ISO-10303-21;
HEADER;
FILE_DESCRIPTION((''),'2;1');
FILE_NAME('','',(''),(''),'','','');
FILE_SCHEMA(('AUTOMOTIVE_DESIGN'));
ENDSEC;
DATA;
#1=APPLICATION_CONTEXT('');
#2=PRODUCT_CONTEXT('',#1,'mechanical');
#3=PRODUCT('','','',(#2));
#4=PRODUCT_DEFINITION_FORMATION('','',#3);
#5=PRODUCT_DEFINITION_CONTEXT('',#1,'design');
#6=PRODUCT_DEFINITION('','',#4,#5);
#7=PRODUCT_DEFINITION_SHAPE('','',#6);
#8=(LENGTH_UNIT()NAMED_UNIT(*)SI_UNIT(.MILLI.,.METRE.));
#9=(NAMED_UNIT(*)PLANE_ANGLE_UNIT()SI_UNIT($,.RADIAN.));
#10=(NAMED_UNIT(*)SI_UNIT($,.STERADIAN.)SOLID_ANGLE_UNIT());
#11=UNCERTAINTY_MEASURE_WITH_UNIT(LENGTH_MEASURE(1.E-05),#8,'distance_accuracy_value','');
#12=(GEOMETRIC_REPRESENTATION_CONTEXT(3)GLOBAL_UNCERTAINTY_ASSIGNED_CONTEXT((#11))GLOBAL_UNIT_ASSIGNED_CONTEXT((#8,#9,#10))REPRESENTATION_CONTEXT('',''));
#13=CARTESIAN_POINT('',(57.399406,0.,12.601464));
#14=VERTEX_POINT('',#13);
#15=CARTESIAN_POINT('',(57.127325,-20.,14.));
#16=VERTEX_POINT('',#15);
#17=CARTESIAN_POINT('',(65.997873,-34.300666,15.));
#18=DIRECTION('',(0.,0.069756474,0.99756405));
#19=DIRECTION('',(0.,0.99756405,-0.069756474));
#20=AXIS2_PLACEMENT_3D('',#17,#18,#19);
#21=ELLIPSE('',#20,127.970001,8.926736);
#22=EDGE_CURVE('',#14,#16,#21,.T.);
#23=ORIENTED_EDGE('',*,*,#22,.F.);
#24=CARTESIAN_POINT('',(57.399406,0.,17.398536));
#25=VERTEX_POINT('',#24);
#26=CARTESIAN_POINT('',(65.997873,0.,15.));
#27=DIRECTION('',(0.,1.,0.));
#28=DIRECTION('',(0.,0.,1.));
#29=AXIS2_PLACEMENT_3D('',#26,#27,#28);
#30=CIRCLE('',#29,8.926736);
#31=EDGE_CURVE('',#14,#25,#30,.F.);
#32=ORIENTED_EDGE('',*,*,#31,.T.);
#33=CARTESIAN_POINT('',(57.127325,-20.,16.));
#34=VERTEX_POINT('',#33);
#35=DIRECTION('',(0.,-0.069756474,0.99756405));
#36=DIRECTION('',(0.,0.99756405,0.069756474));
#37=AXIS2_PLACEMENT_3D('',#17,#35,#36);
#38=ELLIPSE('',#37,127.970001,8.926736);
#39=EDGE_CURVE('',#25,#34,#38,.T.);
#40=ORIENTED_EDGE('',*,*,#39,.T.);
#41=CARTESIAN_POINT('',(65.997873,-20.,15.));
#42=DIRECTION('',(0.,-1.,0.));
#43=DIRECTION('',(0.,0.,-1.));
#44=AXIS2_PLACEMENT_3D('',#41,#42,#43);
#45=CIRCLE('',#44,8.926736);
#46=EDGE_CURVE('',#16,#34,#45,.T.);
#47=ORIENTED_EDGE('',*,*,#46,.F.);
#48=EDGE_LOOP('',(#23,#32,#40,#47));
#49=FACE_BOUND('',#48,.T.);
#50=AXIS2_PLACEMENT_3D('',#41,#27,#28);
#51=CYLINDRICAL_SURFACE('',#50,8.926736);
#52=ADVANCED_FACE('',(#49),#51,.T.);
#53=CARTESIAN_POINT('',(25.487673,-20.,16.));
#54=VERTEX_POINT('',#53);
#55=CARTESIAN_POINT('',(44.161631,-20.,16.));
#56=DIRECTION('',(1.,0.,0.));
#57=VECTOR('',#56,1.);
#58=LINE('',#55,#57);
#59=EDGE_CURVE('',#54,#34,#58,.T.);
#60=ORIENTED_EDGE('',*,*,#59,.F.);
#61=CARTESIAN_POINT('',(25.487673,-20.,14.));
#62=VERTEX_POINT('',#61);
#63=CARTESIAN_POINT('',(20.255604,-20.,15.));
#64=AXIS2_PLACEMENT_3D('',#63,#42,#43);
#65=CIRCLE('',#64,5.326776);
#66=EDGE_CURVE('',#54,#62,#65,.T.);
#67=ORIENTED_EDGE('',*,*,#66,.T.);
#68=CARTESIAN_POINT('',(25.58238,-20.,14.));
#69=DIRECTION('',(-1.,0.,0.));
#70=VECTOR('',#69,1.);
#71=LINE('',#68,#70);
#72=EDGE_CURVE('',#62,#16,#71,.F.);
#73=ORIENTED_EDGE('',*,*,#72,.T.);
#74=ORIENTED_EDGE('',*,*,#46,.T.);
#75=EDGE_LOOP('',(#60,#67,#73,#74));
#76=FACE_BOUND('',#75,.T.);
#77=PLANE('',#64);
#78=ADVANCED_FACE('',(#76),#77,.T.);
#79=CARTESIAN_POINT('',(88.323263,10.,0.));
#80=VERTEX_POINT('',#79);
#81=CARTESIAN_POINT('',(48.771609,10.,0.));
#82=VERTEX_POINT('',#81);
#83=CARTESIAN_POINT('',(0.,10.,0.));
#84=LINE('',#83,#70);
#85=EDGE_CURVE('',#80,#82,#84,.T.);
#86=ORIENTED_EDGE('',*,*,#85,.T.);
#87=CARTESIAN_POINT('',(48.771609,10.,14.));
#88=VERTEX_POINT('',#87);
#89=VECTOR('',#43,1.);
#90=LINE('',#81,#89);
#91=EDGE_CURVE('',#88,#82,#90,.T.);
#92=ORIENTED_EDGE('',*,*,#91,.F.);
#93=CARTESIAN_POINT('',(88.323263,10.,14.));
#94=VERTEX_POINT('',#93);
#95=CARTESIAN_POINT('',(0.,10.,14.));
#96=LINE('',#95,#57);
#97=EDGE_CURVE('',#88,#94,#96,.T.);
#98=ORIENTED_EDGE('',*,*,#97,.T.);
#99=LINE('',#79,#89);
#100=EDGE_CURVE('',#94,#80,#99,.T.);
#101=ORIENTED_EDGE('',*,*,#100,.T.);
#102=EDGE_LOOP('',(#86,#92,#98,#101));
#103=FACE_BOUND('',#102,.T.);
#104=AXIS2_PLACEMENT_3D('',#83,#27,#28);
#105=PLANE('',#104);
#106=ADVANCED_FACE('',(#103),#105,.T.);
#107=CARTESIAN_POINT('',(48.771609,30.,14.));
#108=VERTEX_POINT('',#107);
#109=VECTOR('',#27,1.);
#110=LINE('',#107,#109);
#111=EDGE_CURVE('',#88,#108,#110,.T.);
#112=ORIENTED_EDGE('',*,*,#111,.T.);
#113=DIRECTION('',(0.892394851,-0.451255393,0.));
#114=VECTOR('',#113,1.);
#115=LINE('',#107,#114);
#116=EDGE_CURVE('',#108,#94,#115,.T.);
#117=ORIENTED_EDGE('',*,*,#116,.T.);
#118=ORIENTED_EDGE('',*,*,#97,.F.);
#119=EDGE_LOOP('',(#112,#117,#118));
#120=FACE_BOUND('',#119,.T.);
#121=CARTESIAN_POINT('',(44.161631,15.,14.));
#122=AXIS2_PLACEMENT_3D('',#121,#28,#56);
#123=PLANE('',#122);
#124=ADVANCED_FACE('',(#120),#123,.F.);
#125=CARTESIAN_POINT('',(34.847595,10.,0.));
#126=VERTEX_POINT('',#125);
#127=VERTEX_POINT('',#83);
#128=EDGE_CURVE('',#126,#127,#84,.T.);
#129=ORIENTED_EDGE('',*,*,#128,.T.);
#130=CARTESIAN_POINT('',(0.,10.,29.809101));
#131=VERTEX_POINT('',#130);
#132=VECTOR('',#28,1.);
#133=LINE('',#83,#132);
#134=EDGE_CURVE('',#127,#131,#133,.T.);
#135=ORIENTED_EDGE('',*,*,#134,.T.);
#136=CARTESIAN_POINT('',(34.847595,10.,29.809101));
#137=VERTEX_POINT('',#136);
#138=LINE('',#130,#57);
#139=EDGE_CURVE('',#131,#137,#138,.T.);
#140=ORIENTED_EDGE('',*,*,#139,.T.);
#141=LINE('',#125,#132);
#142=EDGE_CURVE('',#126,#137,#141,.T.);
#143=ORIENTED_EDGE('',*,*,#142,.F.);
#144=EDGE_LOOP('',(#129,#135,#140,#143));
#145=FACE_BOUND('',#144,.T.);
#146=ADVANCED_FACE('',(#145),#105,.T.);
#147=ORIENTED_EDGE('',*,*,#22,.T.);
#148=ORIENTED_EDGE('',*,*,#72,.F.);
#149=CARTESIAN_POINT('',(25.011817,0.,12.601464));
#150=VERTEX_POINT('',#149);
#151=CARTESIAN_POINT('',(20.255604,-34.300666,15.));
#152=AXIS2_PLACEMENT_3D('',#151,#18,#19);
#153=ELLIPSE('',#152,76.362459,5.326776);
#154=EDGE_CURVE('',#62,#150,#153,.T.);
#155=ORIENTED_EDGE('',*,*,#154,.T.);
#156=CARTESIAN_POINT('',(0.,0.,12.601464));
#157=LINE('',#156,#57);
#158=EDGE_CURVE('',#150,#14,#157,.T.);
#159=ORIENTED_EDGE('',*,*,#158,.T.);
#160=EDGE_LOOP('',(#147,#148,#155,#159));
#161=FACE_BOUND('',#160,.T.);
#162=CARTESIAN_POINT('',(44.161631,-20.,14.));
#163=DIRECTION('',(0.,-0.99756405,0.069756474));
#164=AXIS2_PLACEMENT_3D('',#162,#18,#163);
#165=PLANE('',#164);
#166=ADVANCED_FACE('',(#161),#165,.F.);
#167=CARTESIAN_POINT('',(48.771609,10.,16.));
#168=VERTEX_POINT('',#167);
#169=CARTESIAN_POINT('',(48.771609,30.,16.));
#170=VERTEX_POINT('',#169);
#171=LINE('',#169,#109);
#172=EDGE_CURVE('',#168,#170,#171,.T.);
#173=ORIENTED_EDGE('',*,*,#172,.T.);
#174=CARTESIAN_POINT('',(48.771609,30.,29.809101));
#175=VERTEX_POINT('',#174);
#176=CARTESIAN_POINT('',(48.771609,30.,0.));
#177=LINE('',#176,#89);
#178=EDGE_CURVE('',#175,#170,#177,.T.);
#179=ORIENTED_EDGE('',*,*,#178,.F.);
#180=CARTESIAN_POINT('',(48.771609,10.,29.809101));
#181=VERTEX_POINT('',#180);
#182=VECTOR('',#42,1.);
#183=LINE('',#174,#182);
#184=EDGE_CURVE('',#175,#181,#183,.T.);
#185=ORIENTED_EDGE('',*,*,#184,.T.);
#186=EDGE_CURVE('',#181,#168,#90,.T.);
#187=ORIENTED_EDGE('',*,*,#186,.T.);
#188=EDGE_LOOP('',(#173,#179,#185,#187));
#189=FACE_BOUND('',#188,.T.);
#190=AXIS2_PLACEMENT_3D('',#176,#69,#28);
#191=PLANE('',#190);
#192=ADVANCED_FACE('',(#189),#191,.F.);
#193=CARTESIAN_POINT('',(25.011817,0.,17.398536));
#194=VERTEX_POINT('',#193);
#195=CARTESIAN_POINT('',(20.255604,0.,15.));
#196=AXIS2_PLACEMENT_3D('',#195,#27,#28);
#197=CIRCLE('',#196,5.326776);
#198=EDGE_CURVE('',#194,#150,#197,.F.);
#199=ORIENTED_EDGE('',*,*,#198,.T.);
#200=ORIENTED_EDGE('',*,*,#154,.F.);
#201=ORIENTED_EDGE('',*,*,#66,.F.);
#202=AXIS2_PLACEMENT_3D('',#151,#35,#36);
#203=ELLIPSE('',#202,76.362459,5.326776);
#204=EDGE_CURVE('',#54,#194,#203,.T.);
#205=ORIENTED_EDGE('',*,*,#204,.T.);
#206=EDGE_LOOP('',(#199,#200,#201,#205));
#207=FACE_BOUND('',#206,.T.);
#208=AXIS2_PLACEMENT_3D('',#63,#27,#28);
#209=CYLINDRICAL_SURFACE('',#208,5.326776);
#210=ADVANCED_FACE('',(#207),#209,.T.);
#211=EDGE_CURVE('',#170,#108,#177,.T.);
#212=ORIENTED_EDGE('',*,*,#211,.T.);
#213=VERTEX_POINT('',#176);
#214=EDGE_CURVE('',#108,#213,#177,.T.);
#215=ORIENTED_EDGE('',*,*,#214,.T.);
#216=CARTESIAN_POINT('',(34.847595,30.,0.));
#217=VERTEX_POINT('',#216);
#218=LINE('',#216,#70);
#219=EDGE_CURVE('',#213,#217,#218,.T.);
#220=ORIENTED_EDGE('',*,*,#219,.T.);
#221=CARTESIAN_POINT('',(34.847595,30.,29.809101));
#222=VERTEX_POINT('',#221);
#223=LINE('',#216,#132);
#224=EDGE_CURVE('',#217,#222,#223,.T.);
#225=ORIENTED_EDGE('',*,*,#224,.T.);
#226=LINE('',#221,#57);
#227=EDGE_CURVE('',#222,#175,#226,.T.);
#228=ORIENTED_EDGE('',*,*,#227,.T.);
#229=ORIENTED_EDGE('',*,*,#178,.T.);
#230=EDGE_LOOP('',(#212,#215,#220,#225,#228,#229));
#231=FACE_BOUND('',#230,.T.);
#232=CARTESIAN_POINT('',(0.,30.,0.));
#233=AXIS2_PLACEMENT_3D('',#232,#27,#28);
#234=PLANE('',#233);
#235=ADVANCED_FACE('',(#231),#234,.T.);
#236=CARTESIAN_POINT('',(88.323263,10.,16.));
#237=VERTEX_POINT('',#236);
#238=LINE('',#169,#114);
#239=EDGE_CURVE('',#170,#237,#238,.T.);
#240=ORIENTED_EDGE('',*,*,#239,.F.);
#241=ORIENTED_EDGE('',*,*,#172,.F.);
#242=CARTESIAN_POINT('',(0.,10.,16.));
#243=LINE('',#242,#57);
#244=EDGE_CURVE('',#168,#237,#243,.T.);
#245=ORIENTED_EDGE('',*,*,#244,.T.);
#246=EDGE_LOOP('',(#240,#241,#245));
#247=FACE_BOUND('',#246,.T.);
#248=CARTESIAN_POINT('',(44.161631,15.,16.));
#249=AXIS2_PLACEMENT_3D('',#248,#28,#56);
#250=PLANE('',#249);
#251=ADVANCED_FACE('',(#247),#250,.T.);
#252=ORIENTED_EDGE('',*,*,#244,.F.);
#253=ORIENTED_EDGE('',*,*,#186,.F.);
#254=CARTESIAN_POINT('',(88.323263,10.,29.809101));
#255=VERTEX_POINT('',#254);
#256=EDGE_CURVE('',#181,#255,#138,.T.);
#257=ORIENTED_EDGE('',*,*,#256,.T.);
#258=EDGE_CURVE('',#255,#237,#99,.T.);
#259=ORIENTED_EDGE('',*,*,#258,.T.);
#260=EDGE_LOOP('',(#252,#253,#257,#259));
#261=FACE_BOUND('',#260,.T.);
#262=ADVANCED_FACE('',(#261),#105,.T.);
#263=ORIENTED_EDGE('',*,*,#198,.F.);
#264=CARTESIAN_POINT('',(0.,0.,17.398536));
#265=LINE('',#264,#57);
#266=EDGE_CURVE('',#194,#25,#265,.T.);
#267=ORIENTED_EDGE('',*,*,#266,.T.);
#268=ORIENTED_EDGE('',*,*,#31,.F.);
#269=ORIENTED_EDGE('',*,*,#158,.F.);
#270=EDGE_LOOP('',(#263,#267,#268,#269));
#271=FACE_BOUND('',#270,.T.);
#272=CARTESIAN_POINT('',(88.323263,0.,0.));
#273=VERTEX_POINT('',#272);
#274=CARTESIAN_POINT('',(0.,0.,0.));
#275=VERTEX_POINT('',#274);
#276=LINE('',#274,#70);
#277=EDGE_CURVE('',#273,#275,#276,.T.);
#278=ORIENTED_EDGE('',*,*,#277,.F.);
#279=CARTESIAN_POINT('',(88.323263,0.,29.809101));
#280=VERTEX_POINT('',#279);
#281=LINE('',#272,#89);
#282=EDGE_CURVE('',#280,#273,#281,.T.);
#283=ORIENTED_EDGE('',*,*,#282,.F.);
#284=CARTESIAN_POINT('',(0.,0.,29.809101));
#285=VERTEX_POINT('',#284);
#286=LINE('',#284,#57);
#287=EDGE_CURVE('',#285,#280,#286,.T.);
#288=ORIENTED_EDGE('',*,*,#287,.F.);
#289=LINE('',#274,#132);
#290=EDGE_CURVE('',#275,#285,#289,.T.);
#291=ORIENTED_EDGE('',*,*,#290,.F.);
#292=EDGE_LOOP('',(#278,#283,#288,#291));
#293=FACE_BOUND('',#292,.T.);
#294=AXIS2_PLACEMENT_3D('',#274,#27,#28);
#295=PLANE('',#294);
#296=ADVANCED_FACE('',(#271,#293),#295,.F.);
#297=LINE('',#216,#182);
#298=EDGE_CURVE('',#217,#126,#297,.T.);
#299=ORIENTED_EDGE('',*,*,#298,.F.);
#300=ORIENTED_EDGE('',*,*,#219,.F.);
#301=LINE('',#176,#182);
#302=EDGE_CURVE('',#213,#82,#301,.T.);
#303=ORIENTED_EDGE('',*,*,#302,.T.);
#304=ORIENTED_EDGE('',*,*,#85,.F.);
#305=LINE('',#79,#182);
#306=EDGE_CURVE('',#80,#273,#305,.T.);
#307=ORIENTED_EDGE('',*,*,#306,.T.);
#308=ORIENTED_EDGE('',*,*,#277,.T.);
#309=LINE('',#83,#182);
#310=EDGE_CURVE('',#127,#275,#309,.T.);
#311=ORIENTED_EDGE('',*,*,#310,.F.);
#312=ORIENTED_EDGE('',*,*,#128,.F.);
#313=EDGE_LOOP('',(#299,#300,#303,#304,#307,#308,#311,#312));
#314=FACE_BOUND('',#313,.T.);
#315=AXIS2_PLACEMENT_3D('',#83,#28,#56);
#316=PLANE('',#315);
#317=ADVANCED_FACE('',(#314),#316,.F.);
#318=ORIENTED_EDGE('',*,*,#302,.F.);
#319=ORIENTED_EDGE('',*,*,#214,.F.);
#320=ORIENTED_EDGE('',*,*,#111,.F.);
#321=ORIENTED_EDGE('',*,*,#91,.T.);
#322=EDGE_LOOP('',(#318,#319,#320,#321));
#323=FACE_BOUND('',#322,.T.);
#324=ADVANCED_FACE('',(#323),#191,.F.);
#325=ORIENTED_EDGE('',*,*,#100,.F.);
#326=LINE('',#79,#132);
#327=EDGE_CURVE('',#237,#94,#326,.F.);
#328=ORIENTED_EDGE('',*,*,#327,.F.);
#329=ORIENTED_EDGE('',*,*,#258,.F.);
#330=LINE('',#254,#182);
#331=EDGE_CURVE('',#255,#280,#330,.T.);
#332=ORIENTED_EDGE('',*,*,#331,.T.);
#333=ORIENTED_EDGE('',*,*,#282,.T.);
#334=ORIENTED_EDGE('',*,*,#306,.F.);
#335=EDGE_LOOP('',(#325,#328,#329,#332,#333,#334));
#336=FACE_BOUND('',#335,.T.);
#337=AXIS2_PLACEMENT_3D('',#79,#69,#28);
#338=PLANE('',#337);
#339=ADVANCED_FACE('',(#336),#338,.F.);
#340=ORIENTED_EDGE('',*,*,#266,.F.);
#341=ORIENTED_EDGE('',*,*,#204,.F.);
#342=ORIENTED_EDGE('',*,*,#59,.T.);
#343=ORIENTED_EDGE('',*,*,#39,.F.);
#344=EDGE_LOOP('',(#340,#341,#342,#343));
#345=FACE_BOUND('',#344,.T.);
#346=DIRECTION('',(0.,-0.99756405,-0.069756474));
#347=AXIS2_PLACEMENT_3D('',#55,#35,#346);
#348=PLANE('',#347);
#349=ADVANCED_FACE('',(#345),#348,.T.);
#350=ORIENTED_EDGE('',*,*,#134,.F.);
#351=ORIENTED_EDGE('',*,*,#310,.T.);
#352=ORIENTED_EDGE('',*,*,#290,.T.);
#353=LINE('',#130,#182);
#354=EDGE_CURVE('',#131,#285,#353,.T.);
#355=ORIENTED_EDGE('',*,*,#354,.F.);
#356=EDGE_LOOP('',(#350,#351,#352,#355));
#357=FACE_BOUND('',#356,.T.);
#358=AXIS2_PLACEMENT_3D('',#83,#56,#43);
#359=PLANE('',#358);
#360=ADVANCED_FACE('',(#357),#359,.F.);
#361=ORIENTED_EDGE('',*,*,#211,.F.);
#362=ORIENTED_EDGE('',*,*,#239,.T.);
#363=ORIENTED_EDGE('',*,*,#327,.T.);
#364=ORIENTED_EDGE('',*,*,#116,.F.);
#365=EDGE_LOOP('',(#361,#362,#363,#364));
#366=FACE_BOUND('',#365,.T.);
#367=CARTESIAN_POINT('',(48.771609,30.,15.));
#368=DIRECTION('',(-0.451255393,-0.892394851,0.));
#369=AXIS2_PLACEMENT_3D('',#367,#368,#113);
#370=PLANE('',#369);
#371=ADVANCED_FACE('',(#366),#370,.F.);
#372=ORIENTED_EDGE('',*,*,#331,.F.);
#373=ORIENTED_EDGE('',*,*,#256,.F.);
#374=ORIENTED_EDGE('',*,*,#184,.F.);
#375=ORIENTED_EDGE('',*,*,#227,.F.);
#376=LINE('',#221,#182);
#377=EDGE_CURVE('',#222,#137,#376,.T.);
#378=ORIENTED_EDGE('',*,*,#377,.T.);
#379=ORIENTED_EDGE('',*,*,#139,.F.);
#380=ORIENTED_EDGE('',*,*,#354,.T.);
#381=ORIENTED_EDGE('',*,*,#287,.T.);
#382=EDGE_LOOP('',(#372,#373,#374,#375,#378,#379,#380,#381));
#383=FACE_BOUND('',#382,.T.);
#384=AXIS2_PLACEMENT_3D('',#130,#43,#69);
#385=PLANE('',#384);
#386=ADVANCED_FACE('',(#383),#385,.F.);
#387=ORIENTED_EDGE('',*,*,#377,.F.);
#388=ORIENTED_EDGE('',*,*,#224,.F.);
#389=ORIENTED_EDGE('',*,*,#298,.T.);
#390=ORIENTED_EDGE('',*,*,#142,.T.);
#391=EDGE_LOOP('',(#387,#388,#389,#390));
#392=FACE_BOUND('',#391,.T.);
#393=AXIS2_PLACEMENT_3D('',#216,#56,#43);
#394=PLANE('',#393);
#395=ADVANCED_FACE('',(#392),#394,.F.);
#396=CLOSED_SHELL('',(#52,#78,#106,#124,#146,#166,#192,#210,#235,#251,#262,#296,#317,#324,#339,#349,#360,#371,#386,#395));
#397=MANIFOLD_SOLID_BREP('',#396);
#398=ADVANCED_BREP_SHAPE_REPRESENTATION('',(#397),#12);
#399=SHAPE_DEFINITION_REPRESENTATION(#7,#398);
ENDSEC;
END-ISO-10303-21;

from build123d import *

# Parameters (mm, degrees)
SKETCH1_W           = 88.323262869
SKETCH1_H           = 29.809101218
BOSS_EXTRUDE1_DEPTH = 10
SKETCH2_W           = 13.924014339
SKETCH2_H           = 29.809101218
BOSS_EXTRUDE2_DEPTH = 20
RIB1_REACH          = 96.478
SKETCH4_WALL_W      = 235.275808006
SKETCH4_WALL_H      = 2
SKETCH5_R           = 5.326775894
SKETCH5_R_2         = 8.926735981
BOSS_EXTRUDE3_DEPTH = 20
RIB2_REACH          = 96.478
SKETCH6_WALL_W      = 222.44376487
SKETCH6_WALL_H      = 2
RIB2_DRAFT_ANGLE    = 4


with BuildPart() as part:
    # Sketch1 → Boss-Extrude1 (new body)
    with BuildSketch(Plane(origin=(0, 0, 0), x_dir=(1, 0, 0), z_dir=(0, 1, 0))):
        with Locations((44.161631435, -14.904550609)):
            Rectangle(SKETCH1_W, SKETCH1_H)
    extrude(amount=BOSS_EXTRUDE1_DEPTH)

    # Sketch2 → Boss-Extrude2 (add)
    with BuildSketch(Plane(origin=(0, 10, 0), x_dir=(1, 0, 0), z_dir=(0, 1, 0))):
        with Locations((41.809601986, -14.904550609)):
            Rectangle(SKETCH2_W, SKETCH2_H)
    extrude(amount=BOSS_EXTRUDE2_DEPTH)

    # Sketch4 wall → Rib1 (add, up to next)
    with BuildSketch(Plane(origin=(68.547436012, 20, 15), x_dir=(0.892394851297, -0.451255392631, 0), z_dir=(0.451255392631, 0.892394851297, 0)), mode=Mode.PRIVATE) as rib1_sk1:
        Rectangle(SKETCH4_WALL_W, SKETCH4_WALL_H)
    rib1_tool1 = extrude(rib1_sk1.sketch, amount=-RIB1_REACH, mode=Mode.PRIVATE) - part.part
    add(rib1_tool1.solids().sort_by_distance((68.547436012, 20, 15))[0])

    # Sketch5 → Boss-Extrude3 (add)
    with BuildSketch(Plane.XZ):
        with Locations(Location((20.255604114, 15, 0), (0, 0, 90))):
            Circle(SKETCH5_R)
        with Locations(Location((65.99787284, 15, 0), (0, 0, 90))):
            Circle(SKETCH5_R_2)
    extrude(amount=BOSS_EXTRUDE3_DEPTH)

    # Sketch6 wall → Rib2 (add, up to next)
    with BuildSketch(Plane(origin=(41.326758433, -20, 15), x_dir=(1, 0, 0), z_dir=(0, 1, 0)), mode=Mode.PRIVATE) as rib2_sk1:
        Rectangle(SKETCH6_WALL_W, SKETCH6_WALL_H)
    rib2_tool1 = extrude(rib2_sk1.sketch, amount=RIB2_REACH, mode=Mode.PRIVATE) - part.part
    add(rib2_tool1.solids().sort_by_distance((41.326758433, -20, 15))[0])

    # Rib2 draft
    rib2_draft_faces = [part.faces().sort_by_distance(p)[0] for p in [
        (41.326758433, -19.5, 14),
        (41.326758433, -19.5, 16),
    ]]
    draft(rib2_draft_faces, Plane(origin=(41.326758433, -20, 15), x_dir=(1, 0, 0), z_dir=(0, -1, 0)), RIB2_DRAFT_ANGLE)


solid = part.part
